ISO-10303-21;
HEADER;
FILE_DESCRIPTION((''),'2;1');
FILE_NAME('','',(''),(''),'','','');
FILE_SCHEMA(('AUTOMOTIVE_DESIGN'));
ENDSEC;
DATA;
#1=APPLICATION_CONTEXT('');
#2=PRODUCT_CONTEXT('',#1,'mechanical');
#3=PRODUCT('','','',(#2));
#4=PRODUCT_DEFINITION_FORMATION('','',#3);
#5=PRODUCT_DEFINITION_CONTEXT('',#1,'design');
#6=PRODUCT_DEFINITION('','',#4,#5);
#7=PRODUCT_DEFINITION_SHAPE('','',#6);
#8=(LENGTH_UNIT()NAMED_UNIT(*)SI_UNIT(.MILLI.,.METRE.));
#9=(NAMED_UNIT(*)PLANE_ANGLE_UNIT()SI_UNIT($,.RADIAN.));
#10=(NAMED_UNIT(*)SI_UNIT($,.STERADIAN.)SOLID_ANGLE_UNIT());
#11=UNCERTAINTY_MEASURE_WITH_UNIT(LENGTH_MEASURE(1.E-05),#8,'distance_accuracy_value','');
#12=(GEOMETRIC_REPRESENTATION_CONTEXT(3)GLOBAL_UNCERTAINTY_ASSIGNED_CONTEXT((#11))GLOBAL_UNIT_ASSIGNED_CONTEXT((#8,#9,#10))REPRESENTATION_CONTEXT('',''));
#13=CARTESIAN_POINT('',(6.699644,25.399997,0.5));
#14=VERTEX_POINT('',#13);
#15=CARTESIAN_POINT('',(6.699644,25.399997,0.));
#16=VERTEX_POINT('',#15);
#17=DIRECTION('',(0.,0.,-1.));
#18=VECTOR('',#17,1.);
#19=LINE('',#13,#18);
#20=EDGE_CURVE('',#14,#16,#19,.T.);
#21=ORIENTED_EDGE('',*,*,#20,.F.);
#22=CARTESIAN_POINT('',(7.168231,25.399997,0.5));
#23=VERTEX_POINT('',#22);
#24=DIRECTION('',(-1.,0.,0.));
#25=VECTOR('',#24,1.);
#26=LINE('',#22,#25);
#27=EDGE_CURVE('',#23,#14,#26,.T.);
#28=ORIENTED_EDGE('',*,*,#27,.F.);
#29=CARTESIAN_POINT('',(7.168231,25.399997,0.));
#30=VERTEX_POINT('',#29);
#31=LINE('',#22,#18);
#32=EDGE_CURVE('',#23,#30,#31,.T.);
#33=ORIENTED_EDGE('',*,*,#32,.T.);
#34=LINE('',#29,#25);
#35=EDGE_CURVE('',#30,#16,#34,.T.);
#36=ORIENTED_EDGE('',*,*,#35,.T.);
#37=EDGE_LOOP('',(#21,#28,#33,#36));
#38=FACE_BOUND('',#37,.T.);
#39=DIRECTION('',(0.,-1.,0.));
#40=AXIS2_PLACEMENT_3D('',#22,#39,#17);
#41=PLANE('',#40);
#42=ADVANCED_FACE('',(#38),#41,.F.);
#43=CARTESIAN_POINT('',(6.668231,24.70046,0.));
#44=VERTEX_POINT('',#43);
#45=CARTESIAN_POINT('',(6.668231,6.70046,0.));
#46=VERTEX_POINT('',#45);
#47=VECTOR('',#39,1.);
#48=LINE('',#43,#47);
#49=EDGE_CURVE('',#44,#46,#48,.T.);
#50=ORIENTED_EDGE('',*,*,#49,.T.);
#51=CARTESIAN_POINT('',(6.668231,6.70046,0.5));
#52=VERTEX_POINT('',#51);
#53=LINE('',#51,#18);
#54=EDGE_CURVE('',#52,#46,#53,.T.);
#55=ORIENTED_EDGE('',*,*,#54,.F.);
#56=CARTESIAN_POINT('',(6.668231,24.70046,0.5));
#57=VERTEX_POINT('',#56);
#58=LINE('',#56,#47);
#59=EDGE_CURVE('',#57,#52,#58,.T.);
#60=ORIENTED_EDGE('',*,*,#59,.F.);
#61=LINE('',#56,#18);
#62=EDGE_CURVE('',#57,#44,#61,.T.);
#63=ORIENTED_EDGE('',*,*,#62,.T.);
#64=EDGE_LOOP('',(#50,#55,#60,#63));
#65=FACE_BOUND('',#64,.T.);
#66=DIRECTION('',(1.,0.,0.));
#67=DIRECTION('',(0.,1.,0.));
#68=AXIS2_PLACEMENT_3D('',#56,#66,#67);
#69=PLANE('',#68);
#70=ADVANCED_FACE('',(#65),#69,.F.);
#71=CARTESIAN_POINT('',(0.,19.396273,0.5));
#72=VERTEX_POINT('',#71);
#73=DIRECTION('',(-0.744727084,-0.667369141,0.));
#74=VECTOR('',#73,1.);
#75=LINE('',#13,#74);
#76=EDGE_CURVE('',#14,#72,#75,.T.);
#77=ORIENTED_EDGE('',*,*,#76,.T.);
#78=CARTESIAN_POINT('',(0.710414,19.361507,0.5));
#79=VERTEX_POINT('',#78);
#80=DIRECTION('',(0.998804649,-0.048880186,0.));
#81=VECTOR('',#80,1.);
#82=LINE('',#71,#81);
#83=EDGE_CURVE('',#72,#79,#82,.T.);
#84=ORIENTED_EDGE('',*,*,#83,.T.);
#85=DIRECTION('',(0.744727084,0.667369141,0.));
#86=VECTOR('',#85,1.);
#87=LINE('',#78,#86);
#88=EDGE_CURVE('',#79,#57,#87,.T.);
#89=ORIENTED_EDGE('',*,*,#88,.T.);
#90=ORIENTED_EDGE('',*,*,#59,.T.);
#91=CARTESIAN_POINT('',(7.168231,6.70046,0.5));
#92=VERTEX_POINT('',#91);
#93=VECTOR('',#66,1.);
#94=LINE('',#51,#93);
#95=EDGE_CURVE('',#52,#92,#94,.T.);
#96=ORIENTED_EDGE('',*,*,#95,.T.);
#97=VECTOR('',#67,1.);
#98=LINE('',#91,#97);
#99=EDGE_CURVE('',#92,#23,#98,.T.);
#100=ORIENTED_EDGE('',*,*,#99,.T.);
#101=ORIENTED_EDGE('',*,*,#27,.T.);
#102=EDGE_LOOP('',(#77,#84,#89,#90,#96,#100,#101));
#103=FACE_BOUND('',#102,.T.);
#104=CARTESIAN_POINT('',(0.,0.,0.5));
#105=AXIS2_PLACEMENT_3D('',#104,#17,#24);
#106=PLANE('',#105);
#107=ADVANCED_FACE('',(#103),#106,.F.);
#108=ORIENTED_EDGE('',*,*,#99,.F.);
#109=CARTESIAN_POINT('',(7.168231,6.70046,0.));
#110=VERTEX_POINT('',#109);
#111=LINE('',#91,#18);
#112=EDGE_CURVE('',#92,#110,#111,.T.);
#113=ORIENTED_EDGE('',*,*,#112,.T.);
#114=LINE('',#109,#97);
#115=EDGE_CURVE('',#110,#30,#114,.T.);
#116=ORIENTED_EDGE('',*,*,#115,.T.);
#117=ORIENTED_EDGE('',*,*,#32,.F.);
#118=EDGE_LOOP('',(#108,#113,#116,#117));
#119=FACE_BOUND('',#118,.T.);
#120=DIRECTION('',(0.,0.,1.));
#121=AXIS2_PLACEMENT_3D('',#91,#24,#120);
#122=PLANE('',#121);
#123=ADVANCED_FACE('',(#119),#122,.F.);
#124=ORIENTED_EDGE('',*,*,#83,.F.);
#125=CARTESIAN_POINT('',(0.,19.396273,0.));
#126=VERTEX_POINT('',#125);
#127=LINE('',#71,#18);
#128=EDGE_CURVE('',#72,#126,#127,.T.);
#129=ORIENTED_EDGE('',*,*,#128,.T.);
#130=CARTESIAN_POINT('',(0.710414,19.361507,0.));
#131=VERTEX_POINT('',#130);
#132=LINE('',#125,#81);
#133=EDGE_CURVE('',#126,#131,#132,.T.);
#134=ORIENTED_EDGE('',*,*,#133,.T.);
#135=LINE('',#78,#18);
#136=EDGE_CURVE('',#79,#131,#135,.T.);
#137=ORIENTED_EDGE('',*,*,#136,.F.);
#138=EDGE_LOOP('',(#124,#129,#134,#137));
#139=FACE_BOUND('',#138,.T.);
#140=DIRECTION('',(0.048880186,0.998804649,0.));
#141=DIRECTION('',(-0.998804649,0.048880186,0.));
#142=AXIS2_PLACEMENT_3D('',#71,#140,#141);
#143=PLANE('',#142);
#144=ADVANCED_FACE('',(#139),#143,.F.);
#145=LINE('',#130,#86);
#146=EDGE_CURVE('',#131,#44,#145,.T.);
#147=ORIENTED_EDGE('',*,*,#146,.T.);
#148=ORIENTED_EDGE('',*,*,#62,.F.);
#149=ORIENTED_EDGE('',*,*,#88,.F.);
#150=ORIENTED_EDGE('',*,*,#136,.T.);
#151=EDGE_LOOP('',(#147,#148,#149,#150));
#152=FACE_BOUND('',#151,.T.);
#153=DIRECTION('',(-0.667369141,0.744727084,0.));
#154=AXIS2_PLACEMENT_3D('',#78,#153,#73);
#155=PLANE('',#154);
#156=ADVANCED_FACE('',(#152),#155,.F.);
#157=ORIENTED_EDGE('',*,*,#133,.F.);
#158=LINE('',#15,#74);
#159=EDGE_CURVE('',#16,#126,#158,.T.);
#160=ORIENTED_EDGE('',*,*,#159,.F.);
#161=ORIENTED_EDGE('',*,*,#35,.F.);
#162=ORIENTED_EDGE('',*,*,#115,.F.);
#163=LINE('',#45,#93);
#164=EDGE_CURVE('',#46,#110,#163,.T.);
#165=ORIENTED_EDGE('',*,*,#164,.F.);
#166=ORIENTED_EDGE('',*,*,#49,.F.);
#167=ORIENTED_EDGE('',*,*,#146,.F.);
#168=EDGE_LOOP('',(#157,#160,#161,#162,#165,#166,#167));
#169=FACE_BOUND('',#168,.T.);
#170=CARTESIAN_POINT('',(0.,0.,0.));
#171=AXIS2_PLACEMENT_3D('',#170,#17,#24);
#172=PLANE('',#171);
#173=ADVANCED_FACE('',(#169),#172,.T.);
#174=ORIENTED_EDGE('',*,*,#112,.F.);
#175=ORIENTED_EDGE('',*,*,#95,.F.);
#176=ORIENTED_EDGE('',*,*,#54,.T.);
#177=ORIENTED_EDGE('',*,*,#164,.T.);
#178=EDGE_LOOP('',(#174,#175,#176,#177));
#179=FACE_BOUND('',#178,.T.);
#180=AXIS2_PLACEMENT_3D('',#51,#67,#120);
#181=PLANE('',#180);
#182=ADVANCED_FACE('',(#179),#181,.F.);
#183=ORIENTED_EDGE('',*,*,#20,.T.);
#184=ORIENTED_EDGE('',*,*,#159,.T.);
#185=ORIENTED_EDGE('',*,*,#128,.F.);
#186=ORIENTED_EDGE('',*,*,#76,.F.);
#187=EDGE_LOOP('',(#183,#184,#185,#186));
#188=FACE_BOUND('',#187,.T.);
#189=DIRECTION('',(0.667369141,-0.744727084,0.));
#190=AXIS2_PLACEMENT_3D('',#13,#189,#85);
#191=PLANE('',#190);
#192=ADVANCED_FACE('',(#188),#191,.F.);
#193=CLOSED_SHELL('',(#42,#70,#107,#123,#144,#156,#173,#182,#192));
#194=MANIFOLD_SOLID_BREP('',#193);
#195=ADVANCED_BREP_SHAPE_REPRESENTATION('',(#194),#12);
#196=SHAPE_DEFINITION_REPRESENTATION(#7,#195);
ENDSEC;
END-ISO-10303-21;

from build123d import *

# Parameters (mm, degrees)
BOSS_EXTRUDE1_DEPTH = 0.5


with BuildPart() as part:
    # Sketch1 → Boss-Extrude1 (new body)
    with BuildSketch(Plane.XY):
        Polygon((0.710413852, 19.361506563), (6.668230523, 24.700459691), (6.668230523, 6.700459691), (7.168230523, 6.700459691), (7.168230523, 25.399996791), (6.699643759, 25.399996791), (0, 19.396273283), align=None)
    extrude(amount=BOSS_EXTRUDE1_DEPTH)


solid = part.part
